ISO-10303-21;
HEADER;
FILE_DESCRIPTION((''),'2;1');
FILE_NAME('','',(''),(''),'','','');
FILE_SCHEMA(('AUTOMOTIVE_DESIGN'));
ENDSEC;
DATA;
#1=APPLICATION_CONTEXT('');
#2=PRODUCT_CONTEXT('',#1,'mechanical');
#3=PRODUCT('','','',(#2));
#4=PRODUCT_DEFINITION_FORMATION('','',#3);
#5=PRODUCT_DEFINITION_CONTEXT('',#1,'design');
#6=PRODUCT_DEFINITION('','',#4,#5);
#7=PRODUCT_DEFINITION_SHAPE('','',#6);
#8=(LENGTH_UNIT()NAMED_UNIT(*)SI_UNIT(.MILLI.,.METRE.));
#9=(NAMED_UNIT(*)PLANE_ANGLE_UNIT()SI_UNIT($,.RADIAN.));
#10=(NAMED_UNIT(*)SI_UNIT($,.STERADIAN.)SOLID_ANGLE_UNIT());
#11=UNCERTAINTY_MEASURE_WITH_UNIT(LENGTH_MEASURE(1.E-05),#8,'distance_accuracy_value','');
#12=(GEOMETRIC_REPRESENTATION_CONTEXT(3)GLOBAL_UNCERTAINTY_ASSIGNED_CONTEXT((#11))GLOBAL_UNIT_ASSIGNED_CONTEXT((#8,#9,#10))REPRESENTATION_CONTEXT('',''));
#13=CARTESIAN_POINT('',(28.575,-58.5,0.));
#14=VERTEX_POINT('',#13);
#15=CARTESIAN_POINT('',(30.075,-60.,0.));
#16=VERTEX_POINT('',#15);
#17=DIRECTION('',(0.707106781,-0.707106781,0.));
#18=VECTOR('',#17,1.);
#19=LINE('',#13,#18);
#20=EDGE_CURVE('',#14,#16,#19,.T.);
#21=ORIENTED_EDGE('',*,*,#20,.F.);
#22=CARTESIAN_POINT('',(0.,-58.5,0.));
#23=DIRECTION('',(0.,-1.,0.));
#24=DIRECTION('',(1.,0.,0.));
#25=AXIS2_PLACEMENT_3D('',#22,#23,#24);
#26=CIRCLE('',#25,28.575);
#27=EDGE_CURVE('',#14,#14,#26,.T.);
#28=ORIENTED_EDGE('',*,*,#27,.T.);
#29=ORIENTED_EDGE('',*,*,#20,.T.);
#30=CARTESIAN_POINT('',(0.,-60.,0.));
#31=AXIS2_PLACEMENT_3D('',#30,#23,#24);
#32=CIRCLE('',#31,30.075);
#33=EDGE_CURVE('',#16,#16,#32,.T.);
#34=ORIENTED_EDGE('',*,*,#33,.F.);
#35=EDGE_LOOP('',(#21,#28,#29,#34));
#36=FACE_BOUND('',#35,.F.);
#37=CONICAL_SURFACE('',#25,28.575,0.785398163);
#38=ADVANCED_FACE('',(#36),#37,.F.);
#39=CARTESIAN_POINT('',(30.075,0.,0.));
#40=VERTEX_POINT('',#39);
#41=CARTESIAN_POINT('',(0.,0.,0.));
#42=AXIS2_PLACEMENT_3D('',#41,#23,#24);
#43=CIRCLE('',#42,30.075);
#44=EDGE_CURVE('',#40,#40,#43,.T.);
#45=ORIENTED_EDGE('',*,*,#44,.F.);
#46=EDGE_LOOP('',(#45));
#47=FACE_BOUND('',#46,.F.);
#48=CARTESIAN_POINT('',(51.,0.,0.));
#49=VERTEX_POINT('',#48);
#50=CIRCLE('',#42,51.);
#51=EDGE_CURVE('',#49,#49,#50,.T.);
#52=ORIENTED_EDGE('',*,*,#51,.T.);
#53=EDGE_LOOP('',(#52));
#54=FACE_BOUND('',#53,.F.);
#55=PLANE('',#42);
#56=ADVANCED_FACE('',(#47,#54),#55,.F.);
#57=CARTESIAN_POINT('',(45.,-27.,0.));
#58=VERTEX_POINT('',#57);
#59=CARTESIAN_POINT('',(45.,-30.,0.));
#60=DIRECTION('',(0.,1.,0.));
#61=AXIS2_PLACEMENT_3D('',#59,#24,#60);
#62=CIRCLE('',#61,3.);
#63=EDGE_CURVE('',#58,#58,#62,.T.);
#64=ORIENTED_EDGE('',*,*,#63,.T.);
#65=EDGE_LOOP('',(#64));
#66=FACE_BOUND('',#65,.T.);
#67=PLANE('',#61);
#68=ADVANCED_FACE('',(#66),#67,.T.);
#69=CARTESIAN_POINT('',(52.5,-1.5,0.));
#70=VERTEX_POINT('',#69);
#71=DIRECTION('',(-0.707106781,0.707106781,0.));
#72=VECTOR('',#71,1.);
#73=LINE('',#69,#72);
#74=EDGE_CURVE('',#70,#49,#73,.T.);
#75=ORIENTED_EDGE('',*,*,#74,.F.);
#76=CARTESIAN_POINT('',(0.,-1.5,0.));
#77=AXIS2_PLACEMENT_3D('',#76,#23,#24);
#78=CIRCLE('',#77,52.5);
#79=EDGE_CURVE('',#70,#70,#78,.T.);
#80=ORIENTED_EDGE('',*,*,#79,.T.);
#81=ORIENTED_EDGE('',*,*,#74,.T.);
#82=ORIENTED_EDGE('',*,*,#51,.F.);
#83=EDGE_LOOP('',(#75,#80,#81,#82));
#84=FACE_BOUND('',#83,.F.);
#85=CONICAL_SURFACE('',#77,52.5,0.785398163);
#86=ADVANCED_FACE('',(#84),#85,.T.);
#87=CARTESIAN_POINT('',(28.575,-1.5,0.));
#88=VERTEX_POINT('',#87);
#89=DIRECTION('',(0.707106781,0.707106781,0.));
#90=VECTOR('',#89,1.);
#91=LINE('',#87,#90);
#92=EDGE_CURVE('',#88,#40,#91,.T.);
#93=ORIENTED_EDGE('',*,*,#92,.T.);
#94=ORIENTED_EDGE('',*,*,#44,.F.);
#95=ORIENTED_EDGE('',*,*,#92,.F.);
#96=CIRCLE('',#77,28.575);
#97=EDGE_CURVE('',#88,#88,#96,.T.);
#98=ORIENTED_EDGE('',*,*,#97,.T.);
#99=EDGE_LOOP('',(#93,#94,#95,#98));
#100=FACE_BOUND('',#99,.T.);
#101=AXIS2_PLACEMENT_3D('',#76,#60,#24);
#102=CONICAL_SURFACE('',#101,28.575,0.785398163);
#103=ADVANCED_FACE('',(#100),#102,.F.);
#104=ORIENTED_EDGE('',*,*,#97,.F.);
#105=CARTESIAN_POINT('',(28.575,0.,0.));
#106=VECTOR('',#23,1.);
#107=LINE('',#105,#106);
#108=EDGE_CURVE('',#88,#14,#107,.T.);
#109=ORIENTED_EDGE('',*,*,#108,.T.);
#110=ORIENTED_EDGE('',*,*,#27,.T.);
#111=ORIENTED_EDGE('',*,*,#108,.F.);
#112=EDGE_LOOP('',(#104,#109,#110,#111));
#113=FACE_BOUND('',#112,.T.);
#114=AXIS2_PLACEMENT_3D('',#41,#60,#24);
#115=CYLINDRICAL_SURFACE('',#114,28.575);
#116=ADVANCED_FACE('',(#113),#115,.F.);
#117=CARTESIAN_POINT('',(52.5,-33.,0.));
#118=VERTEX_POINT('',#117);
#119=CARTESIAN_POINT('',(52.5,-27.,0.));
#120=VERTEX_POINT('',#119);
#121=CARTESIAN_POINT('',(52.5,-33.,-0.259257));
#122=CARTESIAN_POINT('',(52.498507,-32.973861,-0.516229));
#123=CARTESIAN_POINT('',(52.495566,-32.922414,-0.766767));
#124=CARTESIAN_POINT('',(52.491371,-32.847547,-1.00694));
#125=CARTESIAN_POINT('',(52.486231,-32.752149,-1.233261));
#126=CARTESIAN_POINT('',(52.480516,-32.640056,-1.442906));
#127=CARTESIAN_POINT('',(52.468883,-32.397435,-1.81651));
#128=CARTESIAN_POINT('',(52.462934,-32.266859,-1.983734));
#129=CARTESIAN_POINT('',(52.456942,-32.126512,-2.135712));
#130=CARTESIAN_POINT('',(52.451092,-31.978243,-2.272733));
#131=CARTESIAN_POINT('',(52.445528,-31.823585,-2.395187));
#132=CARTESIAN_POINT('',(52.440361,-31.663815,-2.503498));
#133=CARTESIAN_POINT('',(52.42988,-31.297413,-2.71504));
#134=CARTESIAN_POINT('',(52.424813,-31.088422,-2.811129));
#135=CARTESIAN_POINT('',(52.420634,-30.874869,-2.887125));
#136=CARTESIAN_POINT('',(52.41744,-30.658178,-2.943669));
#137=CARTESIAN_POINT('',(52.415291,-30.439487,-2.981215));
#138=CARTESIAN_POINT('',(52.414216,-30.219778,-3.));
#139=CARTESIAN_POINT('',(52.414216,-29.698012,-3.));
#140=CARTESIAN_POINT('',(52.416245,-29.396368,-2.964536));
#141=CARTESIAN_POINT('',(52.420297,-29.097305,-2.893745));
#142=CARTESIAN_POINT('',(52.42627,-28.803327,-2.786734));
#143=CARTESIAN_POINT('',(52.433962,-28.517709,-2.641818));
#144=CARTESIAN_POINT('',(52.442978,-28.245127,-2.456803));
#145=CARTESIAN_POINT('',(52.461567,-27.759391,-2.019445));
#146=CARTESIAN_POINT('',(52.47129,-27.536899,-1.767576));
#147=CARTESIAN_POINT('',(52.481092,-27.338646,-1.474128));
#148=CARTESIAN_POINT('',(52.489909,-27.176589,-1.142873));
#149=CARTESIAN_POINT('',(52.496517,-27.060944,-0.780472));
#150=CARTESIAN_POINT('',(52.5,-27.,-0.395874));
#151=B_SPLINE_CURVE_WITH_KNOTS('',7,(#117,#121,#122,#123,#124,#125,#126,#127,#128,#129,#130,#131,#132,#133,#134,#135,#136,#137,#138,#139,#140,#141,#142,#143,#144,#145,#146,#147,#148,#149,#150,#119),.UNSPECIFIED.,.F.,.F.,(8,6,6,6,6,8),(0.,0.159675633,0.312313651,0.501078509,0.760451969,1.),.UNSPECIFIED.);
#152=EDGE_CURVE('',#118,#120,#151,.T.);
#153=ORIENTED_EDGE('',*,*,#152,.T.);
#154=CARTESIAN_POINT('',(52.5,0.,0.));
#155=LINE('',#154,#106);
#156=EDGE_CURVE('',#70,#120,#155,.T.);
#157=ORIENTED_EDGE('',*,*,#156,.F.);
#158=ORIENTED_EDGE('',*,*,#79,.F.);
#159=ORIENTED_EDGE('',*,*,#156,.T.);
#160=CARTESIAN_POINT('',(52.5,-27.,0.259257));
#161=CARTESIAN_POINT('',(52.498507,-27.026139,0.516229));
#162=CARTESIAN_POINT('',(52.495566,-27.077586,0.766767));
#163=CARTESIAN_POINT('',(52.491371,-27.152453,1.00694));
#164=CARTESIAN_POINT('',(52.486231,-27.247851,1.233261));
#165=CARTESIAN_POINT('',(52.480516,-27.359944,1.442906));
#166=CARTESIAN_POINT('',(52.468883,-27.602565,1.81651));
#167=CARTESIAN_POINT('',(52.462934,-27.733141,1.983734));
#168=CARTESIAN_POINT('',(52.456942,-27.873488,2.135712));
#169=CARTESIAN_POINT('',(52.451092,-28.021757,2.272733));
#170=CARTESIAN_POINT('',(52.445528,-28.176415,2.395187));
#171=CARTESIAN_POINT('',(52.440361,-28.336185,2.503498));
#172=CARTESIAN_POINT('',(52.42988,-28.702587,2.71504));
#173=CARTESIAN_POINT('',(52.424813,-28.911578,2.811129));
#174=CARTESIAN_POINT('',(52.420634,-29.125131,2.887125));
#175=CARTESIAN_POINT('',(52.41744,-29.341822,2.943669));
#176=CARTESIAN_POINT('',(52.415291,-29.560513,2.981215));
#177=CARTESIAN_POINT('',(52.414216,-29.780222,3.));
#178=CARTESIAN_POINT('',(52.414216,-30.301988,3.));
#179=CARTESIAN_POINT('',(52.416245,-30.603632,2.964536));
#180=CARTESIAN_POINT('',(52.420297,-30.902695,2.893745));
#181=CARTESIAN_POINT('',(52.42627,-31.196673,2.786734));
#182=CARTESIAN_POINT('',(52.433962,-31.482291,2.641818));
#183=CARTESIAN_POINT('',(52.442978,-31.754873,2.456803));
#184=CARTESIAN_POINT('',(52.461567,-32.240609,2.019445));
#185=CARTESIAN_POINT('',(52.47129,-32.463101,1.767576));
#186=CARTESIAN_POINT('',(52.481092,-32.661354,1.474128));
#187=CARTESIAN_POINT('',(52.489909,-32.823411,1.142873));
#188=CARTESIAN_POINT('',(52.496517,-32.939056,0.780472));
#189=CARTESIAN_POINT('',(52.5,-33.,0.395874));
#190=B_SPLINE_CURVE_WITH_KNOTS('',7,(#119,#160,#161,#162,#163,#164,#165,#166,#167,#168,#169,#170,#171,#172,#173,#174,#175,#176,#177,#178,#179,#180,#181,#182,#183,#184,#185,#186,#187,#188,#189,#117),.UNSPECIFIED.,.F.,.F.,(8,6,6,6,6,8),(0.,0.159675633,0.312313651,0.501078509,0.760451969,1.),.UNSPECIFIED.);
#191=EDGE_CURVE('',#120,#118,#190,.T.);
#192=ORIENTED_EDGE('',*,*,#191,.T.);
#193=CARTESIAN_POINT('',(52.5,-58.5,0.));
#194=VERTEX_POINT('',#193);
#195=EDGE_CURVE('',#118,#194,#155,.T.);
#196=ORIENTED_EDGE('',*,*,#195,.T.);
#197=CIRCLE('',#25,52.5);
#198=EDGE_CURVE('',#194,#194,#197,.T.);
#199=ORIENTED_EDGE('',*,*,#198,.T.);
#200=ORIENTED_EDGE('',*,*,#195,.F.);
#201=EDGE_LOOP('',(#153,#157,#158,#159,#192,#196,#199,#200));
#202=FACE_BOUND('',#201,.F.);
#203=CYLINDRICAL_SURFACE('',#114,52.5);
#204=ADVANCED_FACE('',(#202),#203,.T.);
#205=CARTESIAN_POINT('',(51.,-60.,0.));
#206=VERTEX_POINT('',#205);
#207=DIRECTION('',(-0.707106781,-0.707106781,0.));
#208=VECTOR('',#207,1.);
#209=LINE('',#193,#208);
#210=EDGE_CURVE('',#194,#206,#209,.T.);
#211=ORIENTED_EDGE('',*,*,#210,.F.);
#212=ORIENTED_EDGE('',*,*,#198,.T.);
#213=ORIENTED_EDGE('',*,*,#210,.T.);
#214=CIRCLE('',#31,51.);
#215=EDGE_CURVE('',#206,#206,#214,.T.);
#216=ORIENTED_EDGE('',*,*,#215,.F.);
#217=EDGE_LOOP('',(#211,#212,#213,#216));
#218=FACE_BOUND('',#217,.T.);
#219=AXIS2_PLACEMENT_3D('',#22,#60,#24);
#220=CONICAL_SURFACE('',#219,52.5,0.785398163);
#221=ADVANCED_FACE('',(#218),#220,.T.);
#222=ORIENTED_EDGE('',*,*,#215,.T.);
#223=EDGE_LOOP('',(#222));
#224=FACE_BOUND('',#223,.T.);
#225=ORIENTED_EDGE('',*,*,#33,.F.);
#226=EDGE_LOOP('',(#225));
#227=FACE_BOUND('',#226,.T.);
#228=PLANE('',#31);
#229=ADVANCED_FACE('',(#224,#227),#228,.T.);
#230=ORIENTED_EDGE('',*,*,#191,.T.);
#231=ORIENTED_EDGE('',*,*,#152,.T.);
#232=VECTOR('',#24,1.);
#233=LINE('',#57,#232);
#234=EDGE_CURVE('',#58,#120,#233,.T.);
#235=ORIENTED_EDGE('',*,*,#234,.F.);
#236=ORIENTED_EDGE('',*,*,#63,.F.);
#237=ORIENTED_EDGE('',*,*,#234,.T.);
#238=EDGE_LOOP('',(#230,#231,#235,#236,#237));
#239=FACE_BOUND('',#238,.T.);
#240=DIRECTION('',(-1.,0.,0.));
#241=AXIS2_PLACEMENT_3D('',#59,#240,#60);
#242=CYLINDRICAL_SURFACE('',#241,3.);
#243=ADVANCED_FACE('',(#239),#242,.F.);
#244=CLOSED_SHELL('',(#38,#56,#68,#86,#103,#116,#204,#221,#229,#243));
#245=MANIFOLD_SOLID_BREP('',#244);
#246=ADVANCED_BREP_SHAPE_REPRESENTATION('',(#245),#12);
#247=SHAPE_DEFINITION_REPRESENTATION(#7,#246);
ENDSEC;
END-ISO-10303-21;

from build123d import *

# Parameters (mm, degrees)
F0_R     = 52.5
F0_R_2   = 28.575
F1_DEPTH = 60
F2_SIZE  = 1.5
F4_START = 45
F3_R     = 3
F4_DEPTH = 10


with BuildPart() as f1:
    # F0 (on Front) → F1 (new body)
    with BuildSketch(Plane.XZ):
        Circle(F0_R)
        Circle(F0_R_2, mode=Mode.SUBTRACT)
    extrude(amount=F1_DEPTH)

    # F2
    f2_edges = [f1.edges().sort_by_distance(p)[0] for p in [
        (-52.5, -60, 0),
        (-28.575, -60, 0),
        (-52.5, 0, 0),
        (-28.575, 0, 0),
    ]]
    chamfer(f2_edges, length=F2_SIZE)

    # F3 (on Right) → F4 (cut)
    with BuildSketch(Plane.YZ.offset(F4_START)):
        with Locations((-30, 0)):
            Circle(F3_R)
    extrude(amount=F4_DEPTH, mode=Mode.SUBTRACT)


solid = f1.part
